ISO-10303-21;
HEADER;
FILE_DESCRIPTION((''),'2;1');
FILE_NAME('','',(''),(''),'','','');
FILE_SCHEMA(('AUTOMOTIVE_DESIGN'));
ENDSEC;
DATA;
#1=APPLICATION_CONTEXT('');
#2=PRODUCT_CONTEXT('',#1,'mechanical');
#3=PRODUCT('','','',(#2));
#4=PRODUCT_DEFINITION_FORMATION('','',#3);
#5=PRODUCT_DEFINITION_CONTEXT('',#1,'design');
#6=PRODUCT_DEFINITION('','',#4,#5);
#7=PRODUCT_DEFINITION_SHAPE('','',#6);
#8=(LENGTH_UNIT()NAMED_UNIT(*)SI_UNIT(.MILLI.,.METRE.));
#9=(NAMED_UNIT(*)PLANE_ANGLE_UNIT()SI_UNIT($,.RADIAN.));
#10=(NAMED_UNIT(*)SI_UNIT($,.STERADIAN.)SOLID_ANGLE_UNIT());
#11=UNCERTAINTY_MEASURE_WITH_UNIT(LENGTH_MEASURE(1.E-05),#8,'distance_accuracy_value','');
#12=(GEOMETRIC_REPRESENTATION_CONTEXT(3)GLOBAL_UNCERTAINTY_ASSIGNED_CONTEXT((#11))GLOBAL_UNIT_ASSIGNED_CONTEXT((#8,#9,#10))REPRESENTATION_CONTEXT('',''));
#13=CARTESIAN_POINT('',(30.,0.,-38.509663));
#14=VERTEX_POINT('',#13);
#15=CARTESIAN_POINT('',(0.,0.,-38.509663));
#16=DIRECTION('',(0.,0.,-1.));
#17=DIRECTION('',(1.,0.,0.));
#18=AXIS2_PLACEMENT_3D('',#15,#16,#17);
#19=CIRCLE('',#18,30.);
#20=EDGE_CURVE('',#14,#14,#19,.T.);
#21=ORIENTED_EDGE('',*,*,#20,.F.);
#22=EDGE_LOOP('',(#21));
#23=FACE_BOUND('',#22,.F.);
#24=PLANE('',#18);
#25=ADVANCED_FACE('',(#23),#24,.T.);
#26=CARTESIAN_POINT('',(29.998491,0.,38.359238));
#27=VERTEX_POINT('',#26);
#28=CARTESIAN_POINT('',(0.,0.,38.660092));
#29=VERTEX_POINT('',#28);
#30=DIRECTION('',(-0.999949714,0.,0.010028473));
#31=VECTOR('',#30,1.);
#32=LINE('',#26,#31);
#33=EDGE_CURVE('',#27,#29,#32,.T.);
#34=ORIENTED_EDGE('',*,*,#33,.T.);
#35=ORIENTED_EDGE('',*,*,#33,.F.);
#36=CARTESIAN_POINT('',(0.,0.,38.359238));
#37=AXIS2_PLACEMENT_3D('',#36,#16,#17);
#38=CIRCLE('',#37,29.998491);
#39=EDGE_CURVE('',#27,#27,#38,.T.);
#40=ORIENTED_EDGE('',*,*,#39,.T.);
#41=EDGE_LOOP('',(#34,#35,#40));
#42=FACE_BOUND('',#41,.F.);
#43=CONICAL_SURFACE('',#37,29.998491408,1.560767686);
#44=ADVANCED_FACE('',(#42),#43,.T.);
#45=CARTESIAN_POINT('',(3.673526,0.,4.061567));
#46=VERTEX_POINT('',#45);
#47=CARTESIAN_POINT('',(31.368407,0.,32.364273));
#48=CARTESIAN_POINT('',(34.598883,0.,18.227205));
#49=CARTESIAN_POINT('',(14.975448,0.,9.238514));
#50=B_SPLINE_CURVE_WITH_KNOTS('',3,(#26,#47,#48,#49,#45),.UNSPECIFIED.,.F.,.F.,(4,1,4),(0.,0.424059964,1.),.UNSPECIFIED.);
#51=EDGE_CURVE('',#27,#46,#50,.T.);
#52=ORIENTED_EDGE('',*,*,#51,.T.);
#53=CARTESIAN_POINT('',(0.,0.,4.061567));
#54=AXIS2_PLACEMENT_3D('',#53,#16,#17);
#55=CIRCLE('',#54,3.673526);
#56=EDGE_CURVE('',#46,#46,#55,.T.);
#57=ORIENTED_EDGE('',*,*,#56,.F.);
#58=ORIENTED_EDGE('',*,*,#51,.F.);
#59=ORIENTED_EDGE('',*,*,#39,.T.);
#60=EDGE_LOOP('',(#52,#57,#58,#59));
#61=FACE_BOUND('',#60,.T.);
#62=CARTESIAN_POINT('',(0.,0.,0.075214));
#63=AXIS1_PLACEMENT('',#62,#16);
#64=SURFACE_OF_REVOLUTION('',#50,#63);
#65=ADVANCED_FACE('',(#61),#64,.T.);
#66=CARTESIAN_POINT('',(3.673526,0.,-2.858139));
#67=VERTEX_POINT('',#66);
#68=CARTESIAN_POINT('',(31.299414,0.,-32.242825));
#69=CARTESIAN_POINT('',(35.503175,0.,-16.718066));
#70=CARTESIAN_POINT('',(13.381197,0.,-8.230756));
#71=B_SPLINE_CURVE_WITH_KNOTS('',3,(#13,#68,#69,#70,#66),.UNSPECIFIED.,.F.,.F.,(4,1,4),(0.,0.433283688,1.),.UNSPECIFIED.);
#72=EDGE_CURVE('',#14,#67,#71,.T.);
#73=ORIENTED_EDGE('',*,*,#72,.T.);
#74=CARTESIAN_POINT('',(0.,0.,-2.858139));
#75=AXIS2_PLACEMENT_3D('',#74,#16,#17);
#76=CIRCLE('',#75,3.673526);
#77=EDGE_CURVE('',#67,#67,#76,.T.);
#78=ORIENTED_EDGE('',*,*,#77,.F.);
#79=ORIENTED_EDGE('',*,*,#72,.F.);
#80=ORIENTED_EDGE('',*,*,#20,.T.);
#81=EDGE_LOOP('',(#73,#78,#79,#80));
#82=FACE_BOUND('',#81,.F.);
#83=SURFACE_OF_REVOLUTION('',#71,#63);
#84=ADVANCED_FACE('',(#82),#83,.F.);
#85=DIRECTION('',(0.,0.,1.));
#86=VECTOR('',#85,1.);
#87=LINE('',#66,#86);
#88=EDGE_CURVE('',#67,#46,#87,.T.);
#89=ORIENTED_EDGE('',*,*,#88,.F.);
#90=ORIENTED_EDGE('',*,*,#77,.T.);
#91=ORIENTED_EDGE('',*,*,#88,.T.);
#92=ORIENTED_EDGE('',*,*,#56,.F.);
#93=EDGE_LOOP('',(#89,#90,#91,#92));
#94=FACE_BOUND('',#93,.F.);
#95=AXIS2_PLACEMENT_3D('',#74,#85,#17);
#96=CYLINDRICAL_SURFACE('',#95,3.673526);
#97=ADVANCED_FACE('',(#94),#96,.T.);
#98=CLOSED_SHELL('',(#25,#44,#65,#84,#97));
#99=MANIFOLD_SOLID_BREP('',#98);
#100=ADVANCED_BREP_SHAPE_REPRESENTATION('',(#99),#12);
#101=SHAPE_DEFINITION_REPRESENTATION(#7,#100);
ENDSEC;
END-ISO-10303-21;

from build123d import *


with BuildPart() as f1:
    # F0 (on Front) → F1 (revolve)
    with BuildSketch(Plane.XZ):
        with BuildLine():
            Line((29.9984914081, 38.3592376454), (0, 38.6600918222))
            Line((0, 38.6600918222), (0, -38.5096628257))
            Line((0, -38.5096628257), (30, -38.5096628257))
            add(Edge.make_bspline(
                [(30, -38.5096628257), (31.2994144809, -32.242824973), (35.5031747474, -16.7180658829), (13.3811968275, -8.2307562865), (3.6735255424, -2.8581387695)],
                knots=[0, 0, 0, 0, 0.4332836876, 1, 1, 1, 1], degree=3))
            Line((3.6735255424, -2.8581387695), (3.6735255424, 4.0615666869))
            add(Edge.make_bspline(
                [(29.9984914081, 38.3592376454), (31.3684071017, 32.3642731493), (34.5988834741, 18.2272052636), (14.9754477965, 9.2385139102), (3.6735255424, 4.0615666869)],
                knots=[0, 0, 0, 0, 0.4240599638, 1, 1, 1, 1], degree=3))
        make_face()
    revolve(axis=Axis((0, 0, 0.0752144983), (0, 0, -1)))


solid = f1.part
